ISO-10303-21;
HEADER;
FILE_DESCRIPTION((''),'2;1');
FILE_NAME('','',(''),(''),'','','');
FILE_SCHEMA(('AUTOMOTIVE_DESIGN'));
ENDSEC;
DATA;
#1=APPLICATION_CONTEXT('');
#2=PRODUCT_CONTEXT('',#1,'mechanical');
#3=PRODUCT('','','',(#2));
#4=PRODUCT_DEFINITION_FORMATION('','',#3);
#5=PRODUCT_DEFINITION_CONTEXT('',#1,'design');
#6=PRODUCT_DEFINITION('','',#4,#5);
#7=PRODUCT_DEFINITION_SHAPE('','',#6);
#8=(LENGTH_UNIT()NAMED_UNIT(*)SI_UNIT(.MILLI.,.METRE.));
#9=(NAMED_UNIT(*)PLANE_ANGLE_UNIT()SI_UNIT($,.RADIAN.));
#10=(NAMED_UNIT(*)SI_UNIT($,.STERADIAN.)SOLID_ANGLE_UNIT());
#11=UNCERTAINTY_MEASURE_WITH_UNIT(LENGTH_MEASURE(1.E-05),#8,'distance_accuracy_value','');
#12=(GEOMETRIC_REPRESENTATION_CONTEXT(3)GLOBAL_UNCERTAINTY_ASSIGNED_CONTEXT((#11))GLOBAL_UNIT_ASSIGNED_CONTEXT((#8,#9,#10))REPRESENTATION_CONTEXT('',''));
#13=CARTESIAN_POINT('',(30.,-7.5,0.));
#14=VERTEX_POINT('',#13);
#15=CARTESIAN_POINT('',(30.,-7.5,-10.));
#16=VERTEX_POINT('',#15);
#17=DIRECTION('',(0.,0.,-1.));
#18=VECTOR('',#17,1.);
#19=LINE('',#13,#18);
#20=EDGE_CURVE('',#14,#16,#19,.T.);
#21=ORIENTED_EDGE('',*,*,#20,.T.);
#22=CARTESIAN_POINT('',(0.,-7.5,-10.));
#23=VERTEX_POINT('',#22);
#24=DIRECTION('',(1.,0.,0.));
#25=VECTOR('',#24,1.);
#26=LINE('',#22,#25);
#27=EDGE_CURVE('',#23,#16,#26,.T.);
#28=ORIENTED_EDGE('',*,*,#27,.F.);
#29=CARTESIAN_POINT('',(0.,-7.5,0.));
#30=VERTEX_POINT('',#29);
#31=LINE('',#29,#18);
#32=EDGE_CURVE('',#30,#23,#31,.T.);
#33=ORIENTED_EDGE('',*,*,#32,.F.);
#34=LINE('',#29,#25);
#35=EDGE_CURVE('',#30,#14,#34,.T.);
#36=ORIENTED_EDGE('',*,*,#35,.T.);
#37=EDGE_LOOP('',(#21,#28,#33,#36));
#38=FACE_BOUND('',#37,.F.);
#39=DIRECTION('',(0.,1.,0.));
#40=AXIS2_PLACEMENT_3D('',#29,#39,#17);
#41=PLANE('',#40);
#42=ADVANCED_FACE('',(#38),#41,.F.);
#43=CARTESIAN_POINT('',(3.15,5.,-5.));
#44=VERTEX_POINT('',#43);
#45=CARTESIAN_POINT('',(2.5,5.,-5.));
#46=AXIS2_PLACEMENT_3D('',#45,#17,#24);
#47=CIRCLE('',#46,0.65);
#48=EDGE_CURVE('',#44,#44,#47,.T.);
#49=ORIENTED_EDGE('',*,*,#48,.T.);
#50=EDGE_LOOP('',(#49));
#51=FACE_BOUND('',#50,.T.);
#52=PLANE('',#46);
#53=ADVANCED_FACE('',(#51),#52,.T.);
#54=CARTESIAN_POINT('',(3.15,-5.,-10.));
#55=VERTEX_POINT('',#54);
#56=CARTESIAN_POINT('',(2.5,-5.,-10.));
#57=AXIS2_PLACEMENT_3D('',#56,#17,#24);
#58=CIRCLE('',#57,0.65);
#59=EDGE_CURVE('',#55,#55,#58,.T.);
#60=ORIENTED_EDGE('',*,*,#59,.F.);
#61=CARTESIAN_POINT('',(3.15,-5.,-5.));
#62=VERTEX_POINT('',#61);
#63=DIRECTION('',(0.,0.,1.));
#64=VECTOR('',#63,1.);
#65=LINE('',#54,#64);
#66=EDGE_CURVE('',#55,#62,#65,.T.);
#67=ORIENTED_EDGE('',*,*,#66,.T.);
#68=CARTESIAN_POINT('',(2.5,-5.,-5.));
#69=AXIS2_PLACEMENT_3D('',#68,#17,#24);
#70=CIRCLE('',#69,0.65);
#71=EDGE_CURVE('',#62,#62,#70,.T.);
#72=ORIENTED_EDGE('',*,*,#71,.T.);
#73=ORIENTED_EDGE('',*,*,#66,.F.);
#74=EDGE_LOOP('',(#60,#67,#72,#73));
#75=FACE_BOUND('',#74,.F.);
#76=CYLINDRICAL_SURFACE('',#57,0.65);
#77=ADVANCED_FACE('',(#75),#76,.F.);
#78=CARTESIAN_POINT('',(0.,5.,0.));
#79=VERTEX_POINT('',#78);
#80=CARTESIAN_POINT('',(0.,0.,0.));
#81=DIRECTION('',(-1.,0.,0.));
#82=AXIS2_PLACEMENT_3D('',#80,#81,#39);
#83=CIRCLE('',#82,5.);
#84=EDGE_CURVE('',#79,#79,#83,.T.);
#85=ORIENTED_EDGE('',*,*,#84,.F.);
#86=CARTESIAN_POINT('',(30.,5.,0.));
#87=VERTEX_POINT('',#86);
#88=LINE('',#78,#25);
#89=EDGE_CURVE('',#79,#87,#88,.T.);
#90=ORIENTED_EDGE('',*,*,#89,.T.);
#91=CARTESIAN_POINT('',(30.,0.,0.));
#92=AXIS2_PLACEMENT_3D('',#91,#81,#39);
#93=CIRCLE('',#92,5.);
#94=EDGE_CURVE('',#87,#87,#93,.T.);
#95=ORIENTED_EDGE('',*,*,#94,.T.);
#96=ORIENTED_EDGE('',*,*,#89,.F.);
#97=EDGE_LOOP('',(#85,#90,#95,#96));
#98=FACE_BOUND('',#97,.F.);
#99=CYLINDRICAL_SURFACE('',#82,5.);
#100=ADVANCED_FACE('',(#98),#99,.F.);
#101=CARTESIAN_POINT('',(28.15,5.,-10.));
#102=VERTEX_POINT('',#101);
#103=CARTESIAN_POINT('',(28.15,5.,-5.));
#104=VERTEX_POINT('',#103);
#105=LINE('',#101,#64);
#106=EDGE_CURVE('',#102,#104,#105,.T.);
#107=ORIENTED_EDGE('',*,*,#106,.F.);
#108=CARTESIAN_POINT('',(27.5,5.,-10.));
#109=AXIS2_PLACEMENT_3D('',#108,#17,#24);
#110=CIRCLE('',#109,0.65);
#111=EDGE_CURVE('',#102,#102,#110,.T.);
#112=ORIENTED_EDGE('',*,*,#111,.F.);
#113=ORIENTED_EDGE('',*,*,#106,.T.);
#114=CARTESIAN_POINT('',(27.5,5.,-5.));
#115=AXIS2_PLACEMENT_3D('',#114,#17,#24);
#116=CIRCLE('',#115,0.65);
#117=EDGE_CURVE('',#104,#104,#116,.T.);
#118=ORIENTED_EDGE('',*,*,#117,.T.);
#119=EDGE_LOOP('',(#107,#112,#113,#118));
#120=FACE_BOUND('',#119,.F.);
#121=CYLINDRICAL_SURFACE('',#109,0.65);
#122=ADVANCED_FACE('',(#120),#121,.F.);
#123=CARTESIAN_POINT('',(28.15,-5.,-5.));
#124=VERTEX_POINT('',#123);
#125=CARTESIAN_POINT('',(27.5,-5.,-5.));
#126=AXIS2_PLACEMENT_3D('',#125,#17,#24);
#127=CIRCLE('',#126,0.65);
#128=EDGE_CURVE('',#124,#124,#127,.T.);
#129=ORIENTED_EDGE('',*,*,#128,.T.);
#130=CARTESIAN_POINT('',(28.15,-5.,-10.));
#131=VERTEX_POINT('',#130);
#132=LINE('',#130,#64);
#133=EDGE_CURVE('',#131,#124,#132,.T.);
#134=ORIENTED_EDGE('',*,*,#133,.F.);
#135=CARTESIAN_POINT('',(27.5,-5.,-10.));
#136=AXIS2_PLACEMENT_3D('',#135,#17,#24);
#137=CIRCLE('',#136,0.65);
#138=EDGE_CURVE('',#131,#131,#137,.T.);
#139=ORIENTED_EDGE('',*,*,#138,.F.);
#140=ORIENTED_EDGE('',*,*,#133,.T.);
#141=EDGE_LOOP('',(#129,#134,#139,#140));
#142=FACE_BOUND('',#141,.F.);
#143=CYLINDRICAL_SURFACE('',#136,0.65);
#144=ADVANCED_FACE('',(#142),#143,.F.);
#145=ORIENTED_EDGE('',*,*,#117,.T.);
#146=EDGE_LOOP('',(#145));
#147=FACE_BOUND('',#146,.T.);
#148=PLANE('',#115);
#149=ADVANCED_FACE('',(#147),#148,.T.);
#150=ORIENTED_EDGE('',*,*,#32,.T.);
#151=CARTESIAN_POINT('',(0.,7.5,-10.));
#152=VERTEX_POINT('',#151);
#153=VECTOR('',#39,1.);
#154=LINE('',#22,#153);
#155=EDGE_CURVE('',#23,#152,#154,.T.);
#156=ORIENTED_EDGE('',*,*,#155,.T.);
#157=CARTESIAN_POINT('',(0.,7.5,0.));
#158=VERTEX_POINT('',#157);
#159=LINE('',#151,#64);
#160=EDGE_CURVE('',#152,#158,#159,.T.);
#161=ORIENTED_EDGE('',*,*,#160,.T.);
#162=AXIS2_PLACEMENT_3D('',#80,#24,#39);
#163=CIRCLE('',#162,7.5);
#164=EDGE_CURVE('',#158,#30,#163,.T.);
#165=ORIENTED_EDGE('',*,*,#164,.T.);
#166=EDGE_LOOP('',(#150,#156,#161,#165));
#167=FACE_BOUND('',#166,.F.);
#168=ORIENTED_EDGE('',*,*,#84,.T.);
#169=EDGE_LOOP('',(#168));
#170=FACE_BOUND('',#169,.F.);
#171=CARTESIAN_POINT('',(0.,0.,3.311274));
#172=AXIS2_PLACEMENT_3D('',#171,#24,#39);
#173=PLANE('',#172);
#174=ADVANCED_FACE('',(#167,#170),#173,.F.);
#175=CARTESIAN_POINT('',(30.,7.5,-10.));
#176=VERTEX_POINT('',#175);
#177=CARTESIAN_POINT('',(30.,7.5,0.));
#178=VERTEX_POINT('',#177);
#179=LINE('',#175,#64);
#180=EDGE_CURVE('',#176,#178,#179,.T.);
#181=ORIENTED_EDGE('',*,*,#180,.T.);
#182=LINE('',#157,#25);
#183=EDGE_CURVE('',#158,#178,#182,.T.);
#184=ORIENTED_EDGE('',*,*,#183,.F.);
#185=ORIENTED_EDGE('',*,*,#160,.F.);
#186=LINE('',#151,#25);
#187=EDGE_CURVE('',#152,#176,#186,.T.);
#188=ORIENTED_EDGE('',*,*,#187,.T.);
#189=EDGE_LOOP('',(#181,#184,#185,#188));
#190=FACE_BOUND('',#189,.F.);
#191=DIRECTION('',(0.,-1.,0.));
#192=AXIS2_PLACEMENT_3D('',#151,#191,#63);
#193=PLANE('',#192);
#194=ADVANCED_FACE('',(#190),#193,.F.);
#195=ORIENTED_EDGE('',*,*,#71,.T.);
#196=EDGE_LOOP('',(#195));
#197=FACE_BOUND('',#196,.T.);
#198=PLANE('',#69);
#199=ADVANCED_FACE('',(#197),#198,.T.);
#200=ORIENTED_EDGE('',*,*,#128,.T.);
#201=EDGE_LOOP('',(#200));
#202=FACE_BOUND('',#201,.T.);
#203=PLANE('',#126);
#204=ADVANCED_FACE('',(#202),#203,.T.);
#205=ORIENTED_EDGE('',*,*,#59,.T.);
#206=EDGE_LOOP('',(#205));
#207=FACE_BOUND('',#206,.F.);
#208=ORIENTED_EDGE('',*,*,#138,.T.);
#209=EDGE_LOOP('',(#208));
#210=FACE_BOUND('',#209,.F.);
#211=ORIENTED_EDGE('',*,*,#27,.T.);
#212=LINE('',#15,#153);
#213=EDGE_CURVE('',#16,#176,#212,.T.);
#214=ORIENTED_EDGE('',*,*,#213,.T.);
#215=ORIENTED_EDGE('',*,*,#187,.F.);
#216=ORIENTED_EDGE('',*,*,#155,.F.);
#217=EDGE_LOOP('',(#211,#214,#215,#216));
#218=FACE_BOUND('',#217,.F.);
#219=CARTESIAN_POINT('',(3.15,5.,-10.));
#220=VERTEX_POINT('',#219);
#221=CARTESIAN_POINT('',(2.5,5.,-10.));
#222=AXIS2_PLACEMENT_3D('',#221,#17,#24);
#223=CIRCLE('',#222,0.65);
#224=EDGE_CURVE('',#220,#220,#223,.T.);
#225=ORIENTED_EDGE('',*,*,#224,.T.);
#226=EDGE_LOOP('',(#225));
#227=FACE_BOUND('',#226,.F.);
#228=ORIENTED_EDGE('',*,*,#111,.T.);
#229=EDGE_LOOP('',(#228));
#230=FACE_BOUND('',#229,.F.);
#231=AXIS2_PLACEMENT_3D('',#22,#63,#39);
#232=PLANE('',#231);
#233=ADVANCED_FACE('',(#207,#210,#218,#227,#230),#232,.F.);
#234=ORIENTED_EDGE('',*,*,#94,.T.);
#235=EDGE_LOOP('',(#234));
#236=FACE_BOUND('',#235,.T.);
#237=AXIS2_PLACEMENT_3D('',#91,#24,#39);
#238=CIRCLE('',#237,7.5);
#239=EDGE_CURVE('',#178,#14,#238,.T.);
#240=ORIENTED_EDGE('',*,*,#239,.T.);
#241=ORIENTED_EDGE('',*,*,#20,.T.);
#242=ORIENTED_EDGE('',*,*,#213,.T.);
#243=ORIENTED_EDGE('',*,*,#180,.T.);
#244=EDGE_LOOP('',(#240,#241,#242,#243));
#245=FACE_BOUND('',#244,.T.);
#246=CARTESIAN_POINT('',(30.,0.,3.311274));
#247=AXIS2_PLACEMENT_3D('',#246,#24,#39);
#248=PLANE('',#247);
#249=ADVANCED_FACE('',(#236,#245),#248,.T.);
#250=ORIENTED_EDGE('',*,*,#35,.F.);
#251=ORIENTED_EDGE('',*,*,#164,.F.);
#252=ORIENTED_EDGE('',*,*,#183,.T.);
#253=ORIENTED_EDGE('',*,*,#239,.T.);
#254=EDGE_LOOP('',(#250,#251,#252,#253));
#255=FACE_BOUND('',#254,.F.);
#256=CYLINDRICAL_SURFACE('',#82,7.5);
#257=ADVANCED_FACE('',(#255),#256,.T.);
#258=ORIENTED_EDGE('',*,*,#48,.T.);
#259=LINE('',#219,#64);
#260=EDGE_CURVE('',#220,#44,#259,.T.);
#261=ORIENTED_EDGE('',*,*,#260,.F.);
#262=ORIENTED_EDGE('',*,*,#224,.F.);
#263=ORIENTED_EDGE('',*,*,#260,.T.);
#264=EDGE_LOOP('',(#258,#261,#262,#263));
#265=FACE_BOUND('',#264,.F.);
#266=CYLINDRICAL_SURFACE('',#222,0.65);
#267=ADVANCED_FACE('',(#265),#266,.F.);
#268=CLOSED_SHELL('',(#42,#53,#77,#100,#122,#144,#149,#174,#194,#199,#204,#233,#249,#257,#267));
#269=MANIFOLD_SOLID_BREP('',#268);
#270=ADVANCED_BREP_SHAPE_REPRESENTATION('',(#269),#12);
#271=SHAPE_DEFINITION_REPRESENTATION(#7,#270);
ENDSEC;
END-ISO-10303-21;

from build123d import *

# Parameters (mm, degrees)
F1_DEPTH = 30
F2_R     = 0.65
F3_DEPTH = 5


with BuildPart() as f1:
    # F0 (on Right) → F1 (new body)
    with BuildSketch(Plane.YZ):
        with BuildLine():
            ThreePointArc((-5, 0), (0, 5), (5, 0))
            Line((5, 0), (7.5, 0))
            ThreePointArc((7.5, 0), (0, 7.5), (-7.5, 0))
            Line((-7.5, 0), (-5, 0))
        make_face()
        with BuildLine():
            Line((7.5, 0), (5, 0))
            ThreePointArc((5, 0), (0, -5), (-5, 0))
            Line((-5, 0), (-7.5, 0))
            Line((-7.5, 0), (-7.5, -10))
            Line((-7.5, -10), (7.5, -10))
            Line((7.5, -10), (7.5, 0))
        make_face()
    extrude(amount=F1_DEPTH)

    # F2 (on face) → F3 (cut)
    with BuildSketch(Plane(origin=(0, 0, -10), x_dir=(1, 0, 0), z_dir=(0, 0, -1))):
        with Locations((27.5, 5)):
            Circle(F2_R)
        with Locations((27.5, -5)):
            Circle(F2_R)
        with Locations((2.5, 5)):
            Circle(F2_R)
        with Locations((2.5, -5)):
            Circle(F2_R)
    extrude(amount=-F3_DEPTH, mode=Mode.SUBTRACT)


solid = f1.part
